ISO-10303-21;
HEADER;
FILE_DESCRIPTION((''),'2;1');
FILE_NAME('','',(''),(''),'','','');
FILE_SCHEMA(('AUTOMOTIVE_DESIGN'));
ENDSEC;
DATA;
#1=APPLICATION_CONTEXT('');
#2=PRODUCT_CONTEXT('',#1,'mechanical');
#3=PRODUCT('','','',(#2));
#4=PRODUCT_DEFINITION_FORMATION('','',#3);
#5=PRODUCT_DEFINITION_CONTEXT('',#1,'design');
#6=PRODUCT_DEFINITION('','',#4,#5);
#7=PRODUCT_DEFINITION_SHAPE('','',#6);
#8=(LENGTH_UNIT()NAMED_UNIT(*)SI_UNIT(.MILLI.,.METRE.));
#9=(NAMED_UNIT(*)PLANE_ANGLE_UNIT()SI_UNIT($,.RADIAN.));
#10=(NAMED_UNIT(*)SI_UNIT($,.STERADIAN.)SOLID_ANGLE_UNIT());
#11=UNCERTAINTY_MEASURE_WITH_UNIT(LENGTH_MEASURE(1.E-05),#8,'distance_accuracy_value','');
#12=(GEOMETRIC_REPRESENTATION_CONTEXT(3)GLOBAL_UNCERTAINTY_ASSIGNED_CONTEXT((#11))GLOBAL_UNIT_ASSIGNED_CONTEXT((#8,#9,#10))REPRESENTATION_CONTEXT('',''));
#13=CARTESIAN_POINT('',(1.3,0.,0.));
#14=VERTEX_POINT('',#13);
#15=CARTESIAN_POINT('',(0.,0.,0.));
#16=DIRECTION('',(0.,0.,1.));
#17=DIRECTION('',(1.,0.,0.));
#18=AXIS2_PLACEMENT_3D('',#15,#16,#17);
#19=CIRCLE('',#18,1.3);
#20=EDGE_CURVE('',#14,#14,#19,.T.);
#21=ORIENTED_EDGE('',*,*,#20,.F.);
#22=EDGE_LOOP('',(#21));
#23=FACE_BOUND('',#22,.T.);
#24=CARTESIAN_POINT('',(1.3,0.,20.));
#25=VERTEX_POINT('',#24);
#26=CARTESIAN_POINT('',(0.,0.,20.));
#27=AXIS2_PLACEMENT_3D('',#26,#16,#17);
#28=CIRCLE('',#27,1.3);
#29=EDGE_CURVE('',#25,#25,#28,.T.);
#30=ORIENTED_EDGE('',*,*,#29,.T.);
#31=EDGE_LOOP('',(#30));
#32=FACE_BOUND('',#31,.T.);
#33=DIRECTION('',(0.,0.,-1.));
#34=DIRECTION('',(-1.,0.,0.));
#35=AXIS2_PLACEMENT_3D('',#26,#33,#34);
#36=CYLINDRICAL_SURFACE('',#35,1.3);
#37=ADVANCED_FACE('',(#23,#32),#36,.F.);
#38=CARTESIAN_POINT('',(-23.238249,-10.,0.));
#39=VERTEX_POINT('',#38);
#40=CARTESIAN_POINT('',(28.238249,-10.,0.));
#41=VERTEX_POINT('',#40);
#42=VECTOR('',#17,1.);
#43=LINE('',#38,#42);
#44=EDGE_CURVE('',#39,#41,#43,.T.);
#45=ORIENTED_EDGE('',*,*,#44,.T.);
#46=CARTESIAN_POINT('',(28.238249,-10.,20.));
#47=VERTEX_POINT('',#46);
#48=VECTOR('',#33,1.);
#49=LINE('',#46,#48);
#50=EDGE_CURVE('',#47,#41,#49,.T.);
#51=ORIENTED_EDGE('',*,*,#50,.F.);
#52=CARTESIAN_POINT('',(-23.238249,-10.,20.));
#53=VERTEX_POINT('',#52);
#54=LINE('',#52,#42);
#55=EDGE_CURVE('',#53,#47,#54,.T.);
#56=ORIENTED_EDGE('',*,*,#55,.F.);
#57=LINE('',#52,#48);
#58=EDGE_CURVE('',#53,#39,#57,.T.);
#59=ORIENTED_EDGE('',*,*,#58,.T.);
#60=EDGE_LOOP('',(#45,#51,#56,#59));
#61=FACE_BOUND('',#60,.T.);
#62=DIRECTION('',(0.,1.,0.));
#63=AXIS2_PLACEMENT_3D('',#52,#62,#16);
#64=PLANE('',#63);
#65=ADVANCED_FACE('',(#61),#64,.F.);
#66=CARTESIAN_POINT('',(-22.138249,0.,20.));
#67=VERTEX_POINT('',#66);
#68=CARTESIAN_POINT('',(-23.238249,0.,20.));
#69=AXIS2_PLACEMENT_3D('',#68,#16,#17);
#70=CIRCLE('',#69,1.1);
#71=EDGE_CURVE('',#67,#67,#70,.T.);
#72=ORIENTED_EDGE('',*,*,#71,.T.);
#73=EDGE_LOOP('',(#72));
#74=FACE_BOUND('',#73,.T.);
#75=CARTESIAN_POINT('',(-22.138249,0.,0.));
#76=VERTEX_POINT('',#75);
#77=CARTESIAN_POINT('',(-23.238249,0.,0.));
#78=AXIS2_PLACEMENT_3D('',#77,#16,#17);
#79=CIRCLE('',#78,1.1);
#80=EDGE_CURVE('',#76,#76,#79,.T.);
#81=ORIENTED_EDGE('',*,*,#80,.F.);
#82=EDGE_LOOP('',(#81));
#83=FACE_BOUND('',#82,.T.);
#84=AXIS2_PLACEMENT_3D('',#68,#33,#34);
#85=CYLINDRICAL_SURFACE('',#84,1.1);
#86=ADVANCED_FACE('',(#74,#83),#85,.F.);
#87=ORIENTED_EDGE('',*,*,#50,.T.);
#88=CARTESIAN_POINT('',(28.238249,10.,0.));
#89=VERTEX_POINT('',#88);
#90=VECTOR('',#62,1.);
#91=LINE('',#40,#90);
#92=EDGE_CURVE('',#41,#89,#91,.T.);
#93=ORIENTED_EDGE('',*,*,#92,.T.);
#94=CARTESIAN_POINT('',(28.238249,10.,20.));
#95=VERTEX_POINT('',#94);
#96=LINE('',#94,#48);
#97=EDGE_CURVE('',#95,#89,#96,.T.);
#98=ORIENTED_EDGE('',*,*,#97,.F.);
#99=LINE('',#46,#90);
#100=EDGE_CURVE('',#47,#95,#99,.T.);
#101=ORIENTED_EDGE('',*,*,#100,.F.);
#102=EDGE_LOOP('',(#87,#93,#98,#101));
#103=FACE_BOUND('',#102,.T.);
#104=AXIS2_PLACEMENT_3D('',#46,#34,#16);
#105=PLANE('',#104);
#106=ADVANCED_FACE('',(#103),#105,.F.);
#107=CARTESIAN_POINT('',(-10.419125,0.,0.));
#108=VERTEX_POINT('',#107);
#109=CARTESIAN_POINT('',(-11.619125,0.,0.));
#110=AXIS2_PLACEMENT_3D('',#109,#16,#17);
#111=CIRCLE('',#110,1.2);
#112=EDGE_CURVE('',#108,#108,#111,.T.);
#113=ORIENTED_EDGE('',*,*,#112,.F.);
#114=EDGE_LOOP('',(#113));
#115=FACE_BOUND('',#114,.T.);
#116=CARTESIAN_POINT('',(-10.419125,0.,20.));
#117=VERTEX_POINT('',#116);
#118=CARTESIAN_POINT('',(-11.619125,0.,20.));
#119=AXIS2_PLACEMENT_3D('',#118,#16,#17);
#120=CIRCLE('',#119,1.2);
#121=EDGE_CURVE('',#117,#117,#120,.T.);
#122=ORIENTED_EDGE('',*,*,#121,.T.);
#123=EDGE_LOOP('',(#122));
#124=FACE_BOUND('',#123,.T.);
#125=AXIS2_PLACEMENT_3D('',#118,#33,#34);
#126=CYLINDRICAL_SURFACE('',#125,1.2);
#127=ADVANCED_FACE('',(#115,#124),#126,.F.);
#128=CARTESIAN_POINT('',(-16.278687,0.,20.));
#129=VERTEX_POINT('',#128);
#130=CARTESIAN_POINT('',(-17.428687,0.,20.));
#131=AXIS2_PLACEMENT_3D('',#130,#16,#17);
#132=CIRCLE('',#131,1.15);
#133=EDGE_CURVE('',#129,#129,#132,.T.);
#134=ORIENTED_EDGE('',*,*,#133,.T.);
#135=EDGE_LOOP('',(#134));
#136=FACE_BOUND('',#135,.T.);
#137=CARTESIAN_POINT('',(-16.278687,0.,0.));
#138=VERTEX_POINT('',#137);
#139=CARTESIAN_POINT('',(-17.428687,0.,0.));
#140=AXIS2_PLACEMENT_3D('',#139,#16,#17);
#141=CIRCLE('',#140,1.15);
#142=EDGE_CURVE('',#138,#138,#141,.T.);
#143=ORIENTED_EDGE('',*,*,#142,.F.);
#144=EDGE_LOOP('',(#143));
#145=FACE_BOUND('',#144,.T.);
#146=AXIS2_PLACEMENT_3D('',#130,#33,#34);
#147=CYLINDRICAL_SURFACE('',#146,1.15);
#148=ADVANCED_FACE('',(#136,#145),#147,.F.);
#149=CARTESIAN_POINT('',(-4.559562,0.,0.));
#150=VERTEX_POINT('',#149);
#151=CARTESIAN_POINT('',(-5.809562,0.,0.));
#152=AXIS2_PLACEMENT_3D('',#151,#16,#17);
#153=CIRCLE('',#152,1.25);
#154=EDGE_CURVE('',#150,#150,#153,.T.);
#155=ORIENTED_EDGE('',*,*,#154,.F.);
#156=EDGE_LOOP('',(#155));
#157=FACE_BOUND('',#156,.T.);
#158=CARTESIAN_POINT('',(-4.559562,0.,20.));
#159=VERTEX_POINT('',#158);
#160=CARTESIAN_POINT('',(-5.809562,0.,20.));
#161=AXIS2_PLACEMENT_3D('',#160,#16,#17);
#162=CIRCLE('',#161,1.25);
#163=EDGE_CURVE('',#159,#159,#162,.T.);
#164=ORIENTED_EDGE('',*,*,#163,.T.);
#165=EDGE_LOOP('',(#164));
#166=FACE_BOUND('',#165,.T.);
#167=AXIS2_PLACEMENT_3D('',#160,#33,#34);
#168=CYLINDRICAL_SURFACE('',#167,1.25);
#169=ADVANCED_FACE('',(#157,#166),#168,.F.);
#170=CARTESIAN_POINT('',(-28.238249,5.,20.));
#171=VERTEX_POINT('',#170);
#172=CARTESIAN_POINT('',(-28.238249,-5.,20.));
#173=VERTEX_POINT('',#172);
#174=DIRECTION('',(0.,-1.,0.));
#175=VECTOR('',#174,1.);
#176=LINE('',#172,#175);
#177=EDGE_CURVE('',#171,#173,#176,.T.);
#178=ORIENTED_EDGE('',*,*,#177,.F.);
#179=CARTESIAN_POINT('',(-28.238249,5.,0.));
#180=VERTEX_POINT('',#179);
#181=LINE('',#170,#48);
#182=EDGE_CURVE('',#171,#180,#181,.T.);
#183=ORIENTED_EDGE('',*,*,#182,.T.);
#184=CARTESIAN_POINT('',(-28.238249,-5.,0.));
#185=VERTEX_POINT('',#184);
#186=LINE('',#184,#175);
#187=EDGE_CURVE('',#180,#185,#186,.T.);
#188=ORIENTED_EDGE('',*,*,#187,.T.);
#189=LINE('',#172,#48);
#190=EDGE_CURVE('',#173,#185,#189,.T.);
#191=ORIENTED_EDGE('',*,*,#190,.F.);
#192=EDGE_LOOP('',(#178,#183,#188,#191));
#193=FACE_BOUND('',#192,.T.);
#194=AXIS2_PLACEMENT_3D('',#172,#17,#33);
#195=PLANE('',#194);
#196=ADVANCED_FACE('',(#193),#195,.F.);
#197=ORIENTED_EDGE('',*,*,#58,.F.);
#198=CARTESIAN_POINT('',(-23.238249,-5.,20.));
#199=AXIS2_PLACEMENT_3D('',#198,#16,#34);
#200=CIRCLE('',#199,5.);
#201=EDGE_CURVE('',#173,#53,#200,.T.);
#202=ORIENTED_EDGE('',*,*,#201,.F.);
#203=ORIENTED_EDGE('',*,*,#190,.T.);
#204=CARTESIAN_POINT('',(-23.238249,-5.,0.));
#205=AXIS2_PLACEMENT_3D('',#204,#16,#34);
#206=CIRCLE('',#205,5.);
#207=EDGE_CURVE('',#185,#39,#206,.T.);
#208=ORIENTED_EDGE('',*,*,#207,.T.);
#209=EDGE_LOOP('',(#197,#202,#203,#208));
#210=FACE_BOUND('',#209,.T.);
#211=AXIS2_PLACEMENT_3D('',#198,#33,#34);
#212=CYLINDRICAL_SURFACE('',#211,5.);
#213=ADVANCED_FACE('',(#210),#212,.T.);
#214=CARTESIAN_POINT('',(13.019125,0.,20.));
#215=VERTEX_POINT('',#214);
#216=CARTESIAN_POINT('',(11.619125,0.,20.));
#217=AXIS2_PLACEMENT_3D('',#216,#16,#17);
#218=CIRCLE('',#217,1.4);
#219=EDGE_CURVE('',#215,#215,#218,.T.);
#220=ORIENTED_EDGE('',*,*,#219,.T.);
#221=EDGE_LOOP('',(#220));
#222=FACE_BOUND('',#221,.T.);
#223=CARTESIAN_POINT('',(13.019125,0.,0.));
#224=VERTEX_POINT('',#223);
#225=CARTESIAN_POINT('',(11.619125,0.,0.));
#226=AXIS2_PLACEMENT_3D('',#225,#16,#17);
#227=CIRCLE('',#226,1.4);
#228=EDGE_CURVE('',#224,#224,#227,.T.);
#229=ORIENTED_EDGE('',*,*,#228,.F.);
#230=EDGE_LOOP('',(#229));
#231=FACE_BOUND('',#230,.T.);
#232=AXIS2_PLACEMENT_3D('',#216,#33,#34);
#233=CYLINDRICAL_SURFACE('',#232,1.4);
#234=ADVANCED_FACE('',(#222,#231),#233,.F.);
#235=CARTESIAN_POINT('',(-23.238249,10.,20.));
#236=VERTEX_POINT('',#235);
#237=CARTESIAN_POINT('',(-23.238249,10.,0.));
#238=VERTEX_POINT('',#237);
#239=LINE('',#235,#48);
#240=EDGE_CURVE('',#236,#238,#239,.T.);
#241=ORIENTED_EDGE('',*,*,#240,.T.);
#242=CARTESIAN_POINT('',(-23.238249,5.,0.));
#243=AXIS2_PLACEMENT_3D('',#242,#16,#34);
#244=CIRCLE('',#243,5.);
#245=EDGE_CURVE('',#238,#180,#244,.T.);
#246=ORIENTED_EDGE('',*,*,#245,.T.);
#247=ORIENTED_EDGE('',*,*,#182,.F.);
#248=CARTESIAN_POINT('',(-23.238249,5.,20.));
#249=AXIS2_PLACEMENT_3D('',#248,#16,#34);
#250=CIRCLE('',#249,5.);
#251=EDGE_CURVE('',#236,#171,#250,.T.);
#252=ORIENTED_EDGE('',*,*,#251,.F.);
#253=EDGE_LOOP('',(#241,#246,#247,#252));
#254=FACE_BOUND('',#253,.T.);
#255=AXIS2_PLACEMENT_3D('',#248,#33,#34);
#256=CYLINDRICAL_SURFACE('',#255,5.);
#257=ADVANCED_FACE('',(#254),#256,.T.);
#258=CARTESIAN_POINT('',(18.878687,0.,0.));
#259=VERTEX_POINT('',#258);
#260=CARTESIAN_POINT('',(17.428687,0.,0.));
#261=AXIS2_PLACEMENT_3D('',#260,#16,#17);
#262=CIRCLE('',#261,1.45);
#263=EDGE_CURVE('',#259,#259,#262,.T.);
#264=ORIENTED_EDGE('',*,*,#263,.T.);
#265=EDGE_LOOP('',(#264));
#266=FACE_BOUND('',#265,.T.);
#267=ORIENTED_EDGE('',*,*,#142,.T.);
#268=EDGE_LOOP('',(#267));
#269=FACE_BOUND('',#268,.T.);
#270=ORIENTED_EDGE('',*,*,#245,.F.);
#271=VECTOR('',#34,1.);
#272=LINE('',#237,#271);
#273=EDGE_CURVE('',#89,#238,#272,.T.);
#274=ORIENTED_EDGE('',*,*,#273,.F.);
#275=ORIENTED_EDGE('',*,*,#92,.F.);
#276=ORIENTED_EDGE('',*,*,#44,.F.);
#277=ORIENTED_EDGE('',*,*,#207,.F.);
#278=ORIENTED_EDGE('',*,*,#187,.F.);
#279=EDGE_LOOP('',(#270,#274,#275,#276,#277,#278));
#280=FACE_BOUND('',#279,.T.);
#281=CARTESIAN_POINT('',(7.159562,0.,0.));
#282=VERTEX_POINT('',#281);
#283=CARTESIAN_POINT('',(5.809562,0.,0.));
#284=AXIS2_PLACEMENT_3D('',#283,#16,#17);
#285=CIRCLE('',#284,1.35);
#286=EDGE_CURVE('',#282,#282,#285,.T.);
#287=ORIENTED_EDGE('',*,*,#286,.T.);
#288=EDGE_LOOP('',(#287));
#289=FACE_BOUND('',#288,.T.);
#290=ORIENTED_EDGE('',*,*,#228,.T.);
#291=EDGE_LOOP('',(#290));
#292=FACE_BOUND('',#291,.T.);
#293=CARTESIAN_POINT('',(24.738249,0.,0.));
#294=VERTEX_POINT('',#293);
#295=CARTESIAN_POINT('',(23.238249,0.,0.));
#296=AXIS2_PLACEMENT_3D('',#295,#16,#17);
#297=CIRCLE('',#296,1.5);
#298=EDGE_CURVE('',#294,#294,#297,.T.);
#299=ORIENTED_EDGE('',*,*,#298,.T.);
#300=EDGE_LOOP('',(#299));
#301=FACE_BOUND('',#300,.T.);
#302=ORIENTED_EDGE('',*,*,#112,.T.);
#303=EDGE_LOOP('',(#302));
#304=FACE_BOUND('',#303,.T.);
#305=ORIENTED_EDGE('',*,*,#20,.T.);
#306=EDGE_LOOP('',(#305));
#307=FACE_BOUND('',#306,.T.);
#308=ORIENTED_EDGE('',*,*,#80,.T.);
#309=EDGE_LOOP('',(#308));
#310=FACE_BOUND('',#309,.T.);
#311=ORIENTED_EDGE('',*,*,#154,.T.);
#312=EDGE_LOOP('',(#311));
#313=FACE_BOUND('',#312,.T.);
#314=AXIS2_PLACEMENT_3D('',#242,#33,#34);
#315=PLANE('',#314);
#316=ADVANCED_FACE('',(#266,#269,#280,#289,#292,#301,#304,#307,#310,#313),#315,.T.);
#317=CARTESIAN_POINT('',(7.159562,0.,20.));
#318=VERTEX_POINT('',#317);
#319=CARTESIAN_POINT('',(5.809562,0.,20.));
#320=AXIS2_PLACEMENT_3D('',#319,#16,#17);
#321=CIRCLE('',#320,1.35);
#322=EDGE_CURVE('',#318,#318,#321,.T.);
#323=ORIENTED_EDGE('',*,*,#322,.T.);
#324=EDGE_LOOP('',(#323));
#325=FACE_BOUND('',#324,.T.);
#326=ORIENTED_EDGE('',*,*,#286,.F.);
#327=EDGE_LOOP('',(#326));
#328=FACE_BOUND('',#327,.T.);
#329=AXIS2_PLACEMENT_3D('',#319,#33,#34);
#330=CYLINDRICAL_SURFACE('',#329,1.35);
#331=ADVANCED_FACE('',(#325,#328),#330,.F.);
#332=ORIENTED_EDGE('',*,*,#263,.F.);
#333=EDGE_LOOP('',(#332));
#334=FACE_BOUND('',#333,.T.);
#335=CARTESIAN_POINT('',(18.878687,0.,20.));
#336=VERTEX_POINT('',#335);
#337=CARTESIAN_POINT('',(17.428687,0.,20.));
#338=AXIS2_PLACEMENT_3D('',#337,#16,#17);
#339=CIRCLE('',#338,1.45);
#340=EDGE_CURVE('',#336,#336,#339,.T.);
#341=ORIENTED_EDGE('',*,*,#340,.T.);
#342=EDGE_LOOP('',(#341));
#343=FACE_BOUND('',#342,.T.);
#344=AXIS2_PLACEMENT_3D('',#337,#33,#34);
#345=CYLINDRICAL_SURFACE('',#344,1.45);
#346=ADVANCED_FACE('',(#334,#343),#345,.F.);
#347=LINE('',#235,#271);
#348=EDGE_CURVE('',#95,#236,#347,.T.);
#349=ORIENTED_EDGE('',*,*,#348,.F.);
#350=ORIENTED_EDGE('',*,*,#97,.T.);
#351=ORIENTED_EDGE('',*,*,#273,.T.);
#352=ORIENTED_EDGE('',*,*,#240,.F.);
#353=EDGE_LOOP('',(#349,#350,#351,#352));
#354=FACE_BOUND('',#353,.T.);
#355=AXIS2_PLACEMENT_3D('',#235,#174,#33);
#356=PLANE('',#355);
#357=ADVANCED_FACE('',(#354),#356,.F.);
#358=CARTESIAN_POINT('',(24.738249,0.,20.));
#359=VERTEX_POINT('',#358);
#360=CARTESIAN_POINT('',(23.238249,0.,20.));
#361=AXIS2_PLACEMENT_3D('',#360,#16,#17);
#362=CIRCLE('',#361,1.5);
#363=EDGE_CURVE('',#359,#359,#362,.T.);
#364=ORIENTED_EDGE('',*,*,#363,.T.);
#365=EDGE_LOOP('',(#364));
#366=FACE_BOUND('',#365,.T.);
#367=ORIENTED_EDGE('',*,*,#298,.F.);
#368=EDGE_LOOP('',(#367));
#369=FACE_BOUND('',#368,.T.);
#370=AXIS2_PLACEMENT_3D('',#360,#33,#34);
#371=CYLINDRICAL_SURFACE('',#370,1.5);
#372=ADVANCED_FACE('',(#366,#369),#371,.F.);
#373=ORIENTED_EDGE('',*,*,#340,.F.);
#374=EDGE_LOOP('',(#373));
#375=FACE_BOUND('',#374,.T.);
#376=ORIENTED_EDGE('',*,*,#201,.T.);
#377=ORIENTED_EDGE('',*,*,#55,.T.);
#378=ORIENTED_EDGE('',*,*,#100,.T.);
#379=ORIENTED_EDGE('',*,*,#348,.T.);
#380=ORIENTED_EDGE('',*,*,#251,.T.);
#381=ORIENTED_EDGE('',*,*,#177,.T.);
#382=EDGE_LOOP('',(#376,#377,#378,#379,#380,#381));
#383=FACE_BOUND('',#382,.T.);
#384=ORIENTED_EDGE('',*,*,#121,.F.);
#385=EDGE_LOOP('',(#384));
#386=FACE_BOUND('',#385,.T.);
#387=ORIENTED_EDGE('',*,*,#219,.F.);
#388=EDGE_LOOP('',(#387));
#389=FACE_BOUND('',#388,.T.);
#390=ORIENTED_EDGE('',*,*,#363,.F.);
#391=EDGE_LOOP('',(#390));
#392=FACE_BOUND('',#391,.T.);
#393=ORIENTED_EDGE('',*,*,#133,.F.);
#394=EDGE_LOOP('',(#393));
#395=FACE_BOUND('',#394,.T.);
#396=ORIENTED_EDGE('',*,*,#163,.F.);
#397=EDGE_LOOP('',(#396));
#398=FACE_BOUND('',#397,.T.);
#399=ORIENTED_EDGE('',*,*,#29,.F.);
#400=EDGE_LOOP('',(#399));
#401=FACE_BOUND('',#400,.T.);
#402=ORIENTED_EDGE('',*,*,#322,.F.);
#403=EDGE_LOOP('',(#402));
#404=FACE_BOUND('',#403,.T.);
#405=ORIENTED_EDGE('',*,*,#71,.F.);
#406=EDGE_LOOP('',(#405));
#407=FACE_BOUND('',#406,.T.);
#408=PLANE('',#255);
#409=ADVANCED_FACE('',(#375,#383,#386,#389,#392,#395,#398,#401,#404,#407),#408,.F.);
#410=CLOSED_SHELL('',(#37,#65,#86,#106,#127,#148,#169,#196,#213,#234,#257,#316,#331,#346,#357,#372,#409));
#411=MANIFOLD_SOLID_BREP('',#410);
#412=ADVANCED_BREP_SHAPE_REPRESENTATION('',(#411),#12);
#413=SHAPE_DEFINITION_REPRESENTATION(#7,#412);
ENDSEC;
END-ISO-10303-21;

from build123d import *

# Parameters (mm, degrees)
SKETCH1_R           = 1.1
SKETCH1_R_2         = 1.15
SKETCH1_R_3         = 1.2
SKETCH1_R_4         = 1.25
SKETCH1_R_5         = 1.3
SKETCH1_R_6         = 1.35
SKETCH1_R_7         = 1.4
SKETCH1_R_8         = 1.45
SKETCH1_R_9         = 1.5
BOSS_EXTRUDE1_DEPTH = 20


with BuildPart() as part:
    # Sketch1 → Boss-Extrude1 (new body)
    with BuildSketch(Plane.XY):
        with BuildLine():
            Line((-23.238249128, -10), (28.238249128, -10))
            Line((28.238249128, -10), (28.238249128, 10))
            Line((28.238249128, 10), (-23.238249128, 10))
            ThreePointArc((-23.238249128, 10), (-26.773783034, 8.535533906), (-28.238249128, 5))
            Line((-28.238249128, 5), (-28.238249128, -5))
            ThreePointArc((-28.238249128, -5), (-26.773783034, -8.535533906), (-23.238249128, -10))
        make_face()
        with Locations((-23.238249128, 0)):
            Circle(SKETCH1_R, mode=Mode.SUBTRACT)
        with Locations((-17.428686846, 0)):
            Circle(SKETCH1_R_2, mode=Mode.SUBTRACT)
        with Locations((-11.619124564, 0)):
            Circle(SKETCH1_R_3, mode=Mode.SUBTRACT)
        with Locations((-5.809562282, 0)):
            Circle(SKETCH1_R_4, mode=Mode.SUBTRACT)
        Circle(SKETCH1_R_5, mode=Mode.SUBTRACT)
        with Locations((5.809562282, 0)):
            Circle(SKETCH1_R_6, mode=Mode.SUBTRACT)
        with Locations((11.619124564, 0)):
            Circle(SKETCH1_R_7, mode=Mode.SUBTRACT)
        with Locations((17.428686846, 0)):
            Circle(SKETCH1_R_8, mode=Mode.SUBTRACT)
        with Locations((23.238249128, 0)):
            Circle(SKETCH1_R_9, mode=Mode.SUBTRACT)
    extrude(amount=BOSS_EXTRUDE1_DEPTH)


solid = part.part
